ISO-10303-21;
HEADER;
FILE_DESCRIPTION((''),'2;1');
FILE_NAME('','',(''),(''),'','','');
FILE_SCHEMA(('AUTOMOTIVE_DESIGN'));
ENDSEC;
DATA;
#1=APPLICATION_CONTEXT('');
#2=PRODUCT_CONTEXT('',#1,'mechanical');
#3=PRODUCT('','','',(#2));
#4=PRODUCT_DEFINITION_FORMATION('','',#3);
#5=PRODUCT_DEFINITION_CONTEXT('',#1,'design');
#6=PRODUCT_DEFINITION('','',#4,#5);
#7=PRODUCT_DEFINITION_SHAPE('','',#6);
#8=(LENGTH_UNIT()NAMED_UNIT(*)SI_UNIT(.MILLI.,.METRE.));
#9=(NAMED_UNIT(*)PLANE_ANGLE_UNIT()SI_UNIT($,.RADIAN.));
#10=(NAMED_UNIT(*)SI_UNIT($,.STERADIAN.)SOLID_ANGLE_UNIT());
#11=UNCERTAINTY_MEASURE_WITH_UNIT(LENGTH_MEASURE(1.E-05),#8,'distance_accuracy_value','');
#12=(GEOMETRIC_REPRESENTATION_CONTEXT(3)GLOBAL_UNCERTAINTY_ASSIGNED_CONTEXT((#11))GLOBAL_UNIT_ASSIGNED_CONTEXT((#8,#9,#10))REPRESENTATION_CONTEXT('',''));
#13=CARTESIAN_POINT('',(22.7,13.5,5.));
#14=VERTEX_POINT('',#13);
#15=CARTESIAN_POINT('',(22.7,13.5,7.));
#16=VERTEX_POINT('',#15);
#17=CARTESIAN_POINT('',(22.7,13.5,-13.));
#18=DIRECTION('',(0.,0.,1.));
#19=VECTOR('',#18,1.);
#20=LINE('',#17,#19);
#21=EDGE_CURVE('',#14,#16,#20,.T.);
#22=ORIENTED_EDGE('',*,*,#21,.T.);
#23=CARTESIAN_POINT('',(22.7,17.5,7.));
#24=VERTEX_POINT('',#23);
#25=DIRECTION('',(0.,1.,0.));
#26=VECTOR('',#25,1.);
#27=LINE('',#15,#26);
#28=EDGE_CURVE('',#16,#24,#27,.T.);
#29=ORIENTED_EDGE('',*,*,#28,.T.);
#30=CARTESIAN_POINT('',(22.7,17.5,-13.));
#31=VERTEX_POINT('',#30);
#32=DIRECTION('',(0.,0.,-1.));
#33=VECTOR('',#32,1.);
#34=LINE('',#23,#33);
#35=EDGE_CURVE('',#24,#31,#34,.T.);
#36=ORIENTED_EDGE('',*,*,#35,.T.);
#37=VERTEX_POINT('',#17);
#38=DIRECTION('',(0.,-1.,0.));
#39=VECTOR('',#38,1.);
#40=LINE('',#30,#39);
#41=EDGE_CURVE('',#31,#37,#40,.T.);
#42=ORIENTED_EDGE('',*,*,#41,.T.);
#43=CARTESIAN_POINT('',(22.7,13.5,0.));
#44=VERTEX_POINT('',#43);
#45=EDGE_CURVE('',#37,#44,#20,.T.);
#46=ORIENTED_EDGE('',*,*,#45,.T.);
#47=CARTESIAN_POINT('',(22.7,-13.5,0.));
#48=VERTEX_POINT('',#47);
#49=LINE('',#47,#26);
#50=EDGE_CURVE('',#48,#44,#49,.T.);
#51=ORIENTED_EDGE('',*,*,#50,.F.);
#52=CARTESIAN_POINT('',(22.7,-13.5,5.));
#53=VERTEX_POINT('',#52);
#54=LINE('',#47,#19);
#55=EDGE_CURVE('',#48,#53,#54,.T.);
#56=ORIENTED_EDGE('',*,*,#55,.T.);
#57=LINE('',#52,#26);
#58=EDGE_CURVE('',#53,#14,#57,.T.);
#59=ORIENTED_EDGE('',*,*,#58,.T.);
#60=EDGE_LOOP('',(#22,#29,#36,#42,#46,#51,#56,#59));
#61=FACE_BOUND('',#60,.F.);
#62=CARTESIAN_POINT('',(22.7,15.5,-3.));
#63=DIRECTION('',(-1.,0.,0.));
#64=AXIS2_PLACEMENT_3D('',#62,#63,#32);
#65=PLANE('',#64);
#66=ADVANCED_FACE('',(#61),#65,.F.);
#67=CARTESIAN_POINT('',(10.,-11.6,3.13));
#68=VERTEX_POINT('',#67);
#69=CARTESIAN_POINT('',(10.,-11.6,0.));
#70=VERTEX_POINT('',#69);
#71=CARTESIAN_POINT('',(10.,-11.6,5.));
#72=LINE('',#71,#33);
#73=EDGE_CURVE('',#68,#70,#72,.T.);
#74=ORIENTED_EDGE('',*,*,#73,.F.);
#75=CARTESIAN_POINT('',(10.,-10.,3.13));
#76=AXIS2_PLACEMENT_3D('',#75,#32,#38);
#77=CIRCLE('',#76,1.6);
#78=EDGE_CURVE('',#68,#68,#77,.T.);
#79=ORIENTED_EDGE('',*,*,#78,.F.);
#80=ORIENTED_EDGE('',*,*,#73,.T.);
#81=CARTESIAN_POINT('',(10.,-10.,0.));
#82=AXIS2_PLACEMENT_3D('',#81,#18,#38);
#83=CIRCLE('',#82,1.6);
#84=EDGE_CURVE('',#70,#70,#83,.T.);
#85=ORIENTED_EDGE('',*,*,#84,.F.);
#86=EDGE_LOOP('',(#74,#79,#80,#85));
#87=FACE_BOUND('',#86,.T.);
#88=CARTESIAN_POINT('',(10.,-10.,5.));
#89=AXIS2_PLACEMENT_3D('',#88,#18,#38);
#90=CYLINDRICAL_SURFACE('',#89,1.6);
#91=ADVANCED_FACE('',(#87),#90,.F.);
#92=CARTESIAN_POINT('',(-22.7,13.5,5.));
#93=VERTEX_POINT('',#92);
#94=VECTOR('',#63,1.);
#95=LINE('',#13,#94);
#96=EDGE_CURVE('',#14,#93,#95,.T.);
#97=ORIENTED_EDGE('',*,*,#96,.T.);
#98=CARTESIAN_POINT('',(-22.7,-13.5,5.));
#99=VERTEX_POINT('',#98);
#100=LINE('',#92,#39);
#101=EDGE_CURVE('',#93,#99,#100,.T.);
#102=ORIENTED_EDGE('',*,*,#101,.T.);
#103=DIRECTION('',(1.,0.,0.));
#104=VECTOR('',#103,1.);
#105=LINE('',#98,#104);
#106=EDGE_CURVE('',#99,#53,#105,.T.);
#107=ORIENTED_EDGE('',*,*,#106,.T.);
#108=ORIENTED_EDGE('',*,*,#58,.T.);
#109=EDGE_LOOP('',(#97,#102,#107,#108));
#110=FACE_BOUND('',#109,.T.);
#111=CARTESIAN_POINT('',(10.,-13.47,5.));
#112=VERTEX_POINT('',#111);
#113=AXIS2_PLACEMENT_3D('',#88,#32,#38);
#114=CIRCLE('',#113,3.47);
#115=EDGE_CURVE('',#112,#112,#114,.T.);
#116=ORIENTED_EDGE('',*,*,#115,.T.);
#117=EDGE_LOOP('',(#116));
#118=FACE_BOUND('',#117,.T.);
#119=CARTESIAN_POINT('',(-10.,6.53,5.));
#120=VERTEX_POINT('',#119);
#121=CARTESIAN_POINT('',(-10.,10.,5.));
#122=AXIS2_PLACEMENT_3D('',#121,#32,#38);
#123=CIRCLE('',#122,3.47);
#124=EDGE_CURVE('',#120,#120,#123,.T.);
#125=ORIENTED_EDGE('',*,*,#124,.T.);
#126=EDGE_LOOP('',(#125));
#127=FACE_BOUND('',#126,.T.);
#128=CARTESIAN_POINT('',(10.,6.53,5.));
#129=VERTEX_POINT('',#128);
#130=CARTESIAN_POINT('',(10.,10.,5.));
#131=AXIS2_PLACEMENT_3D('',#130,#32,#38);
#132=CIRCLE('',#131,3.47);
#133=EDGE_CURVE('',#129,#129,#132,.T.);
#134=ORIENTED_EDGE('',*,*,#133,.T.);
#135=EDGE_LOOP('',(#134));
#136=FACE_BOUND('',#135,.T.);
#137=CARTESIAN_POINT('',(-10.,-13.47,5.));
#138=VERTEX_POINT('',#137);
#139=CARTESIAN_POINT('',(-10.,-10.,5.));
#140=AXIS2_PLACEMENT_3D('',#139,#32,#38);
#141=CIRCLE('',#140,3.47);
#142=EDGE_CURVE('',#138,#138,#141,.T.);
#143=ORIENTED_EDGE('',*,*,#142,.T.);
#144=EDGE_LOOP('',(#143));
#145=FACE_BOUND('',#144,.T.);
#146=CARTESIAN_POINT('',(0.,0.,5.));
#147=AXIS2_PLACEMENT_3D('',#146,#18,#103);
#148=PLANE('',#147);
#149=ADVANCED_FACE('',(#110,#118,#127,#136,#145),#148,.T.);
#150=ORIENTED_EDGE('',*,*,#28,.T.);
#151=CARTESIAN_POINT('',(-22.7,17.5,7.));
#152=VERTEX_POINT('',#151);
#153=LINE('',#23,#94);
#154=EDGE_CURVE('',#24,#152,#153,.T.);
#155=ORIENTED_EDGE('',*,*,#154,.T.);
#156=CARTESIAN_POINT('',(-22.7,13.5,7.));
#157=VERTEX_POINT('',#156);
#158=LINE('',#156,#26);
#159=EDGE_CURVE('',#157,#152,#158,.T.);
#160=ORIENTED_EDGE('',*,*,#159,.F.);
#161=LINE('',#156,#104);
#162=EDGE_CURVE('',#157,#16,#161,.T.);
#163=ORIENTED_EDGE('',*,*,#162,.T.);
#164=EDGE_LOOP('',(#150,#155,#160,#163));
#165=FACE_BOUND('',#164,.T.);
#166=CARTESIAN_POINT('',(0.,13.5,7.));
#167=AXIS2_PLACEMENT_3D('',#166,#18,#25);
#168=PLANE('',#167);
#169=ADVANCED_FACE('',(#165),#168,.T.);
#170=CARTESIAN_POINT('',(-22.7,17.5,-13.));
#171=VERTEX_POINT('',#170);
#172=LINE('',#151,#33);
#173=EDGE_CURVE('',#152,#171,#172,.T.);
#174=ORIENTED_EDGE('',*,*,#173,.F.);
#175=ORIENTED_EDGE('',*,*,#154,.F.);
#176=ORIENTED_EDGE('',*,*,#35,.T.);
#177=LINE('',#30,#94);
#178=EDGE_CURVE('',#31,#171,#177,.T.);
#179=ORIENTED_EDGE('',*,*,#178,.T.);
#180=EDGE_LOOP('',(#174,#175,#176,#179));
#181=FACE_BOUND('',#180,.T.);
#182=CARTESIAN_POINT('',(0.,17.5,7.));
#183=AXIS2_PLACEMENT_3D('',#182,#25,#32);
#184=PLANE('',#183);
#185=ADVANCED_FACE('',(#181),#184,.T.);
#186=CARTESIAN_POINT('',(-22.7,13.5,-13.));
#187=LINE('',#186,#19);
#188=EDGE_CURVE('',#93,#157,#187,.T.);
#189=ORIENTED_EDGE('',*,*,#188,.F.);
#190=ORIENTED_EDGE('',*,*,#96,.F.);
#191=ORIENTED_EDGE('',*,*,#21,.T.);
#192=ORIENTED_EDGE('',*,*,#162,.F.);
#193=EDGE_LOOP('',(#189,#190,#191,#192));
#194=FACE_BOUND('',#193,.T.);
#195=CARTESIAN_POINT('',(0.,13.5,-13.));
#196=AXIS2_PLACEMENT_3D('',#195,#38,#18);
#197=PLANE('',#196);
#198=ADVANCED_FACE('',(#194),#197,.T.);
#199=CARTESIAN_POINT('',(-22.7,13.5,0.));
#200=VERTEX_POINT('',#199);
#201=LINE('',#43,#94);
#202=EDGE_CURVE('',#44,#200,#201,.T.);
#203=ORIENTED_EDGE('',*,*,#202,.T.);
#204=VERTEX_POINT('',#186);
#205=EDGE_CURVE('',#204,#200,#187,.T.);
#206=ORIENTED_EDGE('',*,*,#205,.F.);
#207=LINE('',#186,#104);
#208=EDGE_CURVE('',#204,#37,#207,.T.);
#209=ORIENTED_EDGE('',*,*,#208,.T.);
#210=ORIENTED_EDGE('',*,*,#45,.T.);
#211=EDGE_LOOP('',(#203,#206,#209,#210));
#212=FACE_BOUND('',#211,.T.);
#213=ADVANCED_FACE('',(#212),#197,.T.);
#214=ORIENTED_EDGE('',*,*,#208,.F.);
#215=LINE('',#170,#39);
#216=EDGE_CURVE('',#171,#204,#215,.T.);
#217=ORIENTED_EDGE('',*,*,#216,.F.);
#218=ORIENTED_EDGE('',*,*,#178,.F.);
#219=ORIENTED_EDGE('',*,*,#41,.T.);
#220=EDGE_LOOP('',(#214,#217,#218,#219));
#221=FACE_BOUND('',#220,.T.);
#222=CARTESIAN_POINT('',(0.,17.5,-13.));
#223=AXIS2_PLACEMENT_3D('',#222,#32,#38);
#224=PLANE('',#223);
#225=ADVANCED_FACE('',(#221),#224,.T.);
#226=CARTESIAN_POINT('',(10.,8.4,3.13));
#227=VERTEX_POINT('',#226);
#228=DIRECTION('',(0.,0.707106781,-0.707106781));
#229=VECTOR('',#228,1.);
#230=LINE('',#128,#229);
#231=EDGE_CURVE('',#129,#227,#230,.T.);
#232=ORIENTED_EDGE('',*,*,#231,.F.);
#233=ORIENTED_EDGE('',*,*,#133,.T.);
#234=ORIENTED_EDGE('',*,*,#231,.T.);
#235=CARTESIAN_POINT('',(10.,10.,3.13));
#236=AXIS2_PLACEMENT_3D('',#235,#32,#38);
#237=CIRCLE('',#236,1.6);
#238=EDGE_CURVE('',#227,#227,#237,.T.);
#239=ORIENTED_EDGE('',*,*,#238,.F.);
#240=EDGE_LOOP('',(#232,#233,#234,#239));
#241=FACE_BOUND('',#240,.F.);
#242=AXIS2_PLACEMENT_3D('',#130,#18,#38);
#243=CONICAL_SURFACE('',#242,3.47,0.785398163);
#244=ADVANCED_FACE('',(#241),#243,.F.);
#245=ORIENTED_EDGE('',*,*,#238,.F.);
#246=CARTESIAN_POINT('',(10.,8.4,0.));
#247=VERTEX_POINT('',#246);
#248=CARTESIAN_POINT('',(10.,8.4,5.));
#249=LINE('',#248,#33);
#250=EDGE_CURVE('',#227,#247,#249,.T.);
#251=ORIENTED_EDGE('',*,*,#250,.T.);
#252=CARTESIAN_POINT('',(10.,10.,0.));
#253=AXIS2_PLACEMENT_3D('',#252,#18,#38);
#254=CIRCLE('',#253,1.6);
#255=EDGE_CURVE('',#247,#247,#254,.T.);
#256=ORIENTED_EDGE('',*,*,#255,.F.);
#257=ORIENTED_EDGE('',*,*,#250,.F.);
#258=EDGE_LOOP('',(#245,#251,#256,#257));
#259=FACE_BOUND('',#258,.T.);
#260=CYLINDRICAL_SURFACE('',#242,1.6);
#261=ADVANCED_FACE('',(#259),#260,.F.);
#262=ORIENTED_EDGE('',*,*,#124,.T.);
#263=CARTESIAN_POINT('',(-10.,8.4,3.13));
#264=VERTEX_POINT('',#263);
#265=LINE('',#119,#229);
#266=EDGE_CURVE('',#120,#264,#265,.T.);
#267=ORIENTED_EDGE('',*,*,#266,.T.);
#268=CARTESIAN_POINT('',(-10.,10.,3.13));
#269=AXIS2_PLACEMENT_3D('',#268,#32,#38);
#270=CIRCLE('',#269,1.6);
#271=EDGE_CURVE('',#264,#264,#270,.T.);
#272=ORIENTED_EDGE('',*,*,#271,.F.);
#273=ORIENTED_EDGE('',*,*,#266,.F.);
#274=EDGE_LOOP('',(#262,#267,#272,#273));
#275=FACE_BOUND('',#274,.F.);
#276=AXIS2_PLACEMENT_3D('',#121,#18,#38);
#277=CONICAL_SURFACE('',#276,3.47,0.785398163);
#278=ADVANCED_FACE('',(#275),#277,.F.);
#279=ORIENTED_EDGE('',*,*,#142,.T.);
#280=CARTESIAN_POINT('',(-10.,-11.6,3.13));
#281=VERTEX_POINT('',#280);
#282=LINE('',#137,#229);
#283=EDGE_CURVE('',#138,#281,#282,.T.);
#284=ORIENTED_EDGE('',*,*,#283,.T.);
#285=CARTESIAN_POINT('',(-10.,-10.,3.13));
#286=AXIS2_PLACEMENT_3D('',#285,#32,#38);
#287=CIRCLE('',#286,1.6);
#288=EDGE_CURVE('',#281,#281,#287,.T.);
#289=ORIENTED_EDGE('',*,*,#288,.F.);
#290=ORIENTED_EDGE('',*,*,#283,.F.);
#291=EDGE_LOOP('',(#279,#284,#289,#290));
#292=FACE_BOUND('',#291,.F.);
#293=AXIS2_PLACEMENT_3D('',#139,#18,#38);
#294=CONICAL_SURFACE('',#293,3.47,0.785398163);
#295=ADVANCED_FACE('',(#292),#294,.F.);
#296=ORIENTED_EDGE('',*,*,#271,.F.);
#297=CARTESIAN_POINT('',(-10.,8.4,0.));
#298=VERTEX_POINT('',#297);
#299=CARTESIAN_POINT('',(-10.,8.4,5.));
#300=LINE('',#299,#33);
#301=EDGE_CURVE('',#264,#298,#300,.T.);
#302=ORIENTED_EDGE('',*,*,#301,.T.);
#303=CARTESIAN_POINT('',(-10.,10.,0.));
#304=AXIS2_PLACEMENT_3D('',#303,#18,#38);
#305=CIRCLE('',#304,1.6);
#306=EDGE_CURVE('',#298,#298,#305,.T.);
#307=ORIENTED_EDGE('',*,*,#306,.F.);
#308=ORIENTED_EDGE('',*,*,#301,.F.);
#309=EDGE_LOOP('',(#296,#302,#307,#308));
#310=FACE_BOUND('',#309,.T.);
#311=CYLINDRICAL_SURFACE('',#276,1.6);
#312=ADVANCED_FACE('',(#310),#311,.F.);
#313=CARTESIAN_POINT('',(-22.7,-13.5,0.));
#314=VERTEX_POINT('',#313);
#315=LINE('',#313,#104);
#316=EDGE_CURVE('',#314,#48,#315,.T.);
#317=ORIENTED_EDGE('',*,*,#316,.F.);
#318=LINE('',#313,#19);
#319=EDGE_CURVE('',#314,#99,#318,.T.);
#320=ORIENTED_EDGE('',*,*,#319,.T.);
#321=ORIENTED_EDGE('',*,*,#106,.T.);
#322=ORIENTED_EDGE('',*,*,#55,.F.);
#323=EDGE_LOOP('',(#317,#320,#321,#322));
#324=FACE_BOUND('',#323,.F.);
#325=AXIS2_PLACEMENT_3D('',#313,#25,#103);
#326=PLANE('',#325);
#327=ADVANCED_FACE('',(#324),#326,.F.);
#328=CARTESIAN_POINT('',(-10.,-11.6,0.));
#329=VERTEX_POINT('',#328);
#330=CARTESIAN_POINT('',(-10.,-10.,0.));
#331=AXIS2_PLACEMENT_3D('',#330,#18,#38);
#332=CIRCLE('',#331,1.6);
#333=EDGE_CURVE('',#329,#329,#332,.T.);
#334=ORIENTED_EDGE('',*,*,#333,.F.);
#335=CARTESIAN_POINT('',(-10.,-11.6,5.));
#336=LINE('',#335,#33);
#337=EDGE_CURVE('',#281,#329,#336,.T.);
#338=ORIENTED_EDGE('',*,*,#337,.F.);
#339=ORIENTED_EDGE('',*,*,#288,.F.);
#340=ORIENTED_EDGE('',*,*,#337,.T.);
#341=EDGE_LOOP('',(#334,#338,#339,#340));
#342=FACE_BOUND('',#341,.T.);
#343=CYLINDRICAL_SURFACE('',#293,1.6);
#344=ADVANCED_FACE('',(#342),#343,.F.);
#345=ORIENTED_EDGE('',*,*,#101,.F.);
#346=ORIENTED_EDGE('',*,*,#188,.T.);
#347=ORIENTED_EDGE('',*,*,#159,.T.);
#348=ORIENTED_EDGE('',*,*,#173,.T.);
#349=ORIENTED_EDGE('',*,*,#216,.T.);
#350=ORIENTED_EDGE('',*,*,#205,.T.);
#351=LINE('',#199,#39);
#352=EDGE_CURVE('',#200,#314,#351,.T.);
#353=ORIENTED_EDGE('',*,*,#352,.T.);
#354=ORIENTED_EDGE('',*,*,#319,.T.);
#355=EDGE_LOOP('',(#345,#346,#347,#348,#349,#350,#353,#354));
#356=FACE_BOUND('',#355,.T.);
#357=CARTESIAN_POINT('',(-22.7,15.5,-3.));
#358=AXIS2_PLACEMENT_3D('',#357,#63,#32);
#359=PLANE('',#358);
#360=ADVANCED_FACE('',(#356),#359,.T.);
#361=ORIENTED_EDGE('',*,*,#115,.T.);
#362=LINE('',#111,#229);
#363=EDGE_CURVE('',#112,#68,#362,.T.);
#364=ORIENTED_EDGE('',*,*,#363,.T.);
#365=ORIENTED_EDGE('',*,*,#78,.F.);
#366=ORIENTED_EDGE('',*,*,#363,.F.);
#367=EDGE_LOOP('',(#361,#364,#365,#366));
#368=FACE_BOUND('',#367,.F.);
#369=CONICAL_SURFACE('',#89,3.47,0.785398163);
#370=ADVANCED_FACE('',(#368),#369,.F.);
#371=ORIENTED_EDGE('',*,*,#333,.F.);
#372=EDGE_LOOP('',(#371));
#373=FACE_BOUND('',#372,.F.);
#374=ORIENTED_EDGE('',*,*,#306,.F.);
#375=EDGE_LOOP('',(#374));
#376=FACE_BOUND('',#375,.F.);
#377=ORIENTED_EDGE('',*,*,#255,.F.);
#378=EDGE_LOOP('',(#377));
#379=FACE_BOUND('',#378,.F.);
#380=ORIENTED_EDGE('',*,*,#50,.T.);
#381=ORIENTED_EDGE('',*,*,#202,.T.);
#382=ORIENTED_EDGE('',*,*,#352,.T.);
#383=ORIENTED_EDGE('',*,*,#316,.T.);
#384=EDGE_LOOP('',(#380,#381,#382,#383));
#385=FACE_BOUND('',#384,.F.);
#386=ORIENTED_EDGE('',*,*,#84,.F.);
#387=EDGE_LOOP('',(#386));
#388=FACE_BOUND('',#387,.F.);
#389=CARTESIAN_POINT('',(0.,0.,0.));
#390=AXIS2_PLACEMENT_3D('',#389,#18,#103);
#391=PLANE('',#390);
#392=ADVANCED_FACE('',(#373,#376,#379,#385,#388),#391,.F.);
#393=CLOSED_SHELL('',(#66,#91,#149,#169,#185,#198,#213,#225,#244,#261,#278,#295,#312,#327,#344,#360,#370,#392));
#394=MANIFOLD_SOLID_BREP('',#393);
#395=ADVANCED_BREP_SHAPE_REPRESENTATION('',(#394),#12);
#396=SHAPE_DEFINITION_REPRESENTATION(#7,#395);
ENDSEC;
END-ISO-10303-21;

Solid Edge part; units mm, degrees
sketch "Sketch1" plane through (0, 0, 0) normal (0, 0, 1) x (1, 0, 0)
  line L0 (22.7, 13.5) -> (-22.7, 13.5)
  line L1 (-22.7, 13.5) -> (-22.7, -13.5)
  line L2 (-22.7, -13.5) -> (22.7, -13.5)
  line L3 (22.7, -13.5) -> (22.7, 13.5)
extrude "Protrusion1" add sketch "Sketch1" along normal blind 5
sketch "Sketch2" plane through (0, 0, 0) normal (1, 0, 0) x (0, 1, 0)
  line L0 (13.5, 7) -> (17.5, 7)
  line L1 (17.5, 7) -> (17.5, -13)
  line L2 (17.5, -13) -> (13.5, -13)
  line L3 (13.5, -13) -> (13.5, 7)
  dimension "D1" = 13
  dimension "D2" = 4
  dimension "D3" = 7
extrude "Protrusion2" add sketch "Sketch2" along normal mid plane 45.4
hole "Hole_1" at (-10, 10, 5) direction (0, 0, -1) diameter 3.2 end up to next countersink diameter 6.94 countersink angle 90
pattern_linear "Pattern1" count 2 spacing 20 along (1, 0, 0) count 2 spacing 20 along (0, -1, 0) of "Hole_1"
